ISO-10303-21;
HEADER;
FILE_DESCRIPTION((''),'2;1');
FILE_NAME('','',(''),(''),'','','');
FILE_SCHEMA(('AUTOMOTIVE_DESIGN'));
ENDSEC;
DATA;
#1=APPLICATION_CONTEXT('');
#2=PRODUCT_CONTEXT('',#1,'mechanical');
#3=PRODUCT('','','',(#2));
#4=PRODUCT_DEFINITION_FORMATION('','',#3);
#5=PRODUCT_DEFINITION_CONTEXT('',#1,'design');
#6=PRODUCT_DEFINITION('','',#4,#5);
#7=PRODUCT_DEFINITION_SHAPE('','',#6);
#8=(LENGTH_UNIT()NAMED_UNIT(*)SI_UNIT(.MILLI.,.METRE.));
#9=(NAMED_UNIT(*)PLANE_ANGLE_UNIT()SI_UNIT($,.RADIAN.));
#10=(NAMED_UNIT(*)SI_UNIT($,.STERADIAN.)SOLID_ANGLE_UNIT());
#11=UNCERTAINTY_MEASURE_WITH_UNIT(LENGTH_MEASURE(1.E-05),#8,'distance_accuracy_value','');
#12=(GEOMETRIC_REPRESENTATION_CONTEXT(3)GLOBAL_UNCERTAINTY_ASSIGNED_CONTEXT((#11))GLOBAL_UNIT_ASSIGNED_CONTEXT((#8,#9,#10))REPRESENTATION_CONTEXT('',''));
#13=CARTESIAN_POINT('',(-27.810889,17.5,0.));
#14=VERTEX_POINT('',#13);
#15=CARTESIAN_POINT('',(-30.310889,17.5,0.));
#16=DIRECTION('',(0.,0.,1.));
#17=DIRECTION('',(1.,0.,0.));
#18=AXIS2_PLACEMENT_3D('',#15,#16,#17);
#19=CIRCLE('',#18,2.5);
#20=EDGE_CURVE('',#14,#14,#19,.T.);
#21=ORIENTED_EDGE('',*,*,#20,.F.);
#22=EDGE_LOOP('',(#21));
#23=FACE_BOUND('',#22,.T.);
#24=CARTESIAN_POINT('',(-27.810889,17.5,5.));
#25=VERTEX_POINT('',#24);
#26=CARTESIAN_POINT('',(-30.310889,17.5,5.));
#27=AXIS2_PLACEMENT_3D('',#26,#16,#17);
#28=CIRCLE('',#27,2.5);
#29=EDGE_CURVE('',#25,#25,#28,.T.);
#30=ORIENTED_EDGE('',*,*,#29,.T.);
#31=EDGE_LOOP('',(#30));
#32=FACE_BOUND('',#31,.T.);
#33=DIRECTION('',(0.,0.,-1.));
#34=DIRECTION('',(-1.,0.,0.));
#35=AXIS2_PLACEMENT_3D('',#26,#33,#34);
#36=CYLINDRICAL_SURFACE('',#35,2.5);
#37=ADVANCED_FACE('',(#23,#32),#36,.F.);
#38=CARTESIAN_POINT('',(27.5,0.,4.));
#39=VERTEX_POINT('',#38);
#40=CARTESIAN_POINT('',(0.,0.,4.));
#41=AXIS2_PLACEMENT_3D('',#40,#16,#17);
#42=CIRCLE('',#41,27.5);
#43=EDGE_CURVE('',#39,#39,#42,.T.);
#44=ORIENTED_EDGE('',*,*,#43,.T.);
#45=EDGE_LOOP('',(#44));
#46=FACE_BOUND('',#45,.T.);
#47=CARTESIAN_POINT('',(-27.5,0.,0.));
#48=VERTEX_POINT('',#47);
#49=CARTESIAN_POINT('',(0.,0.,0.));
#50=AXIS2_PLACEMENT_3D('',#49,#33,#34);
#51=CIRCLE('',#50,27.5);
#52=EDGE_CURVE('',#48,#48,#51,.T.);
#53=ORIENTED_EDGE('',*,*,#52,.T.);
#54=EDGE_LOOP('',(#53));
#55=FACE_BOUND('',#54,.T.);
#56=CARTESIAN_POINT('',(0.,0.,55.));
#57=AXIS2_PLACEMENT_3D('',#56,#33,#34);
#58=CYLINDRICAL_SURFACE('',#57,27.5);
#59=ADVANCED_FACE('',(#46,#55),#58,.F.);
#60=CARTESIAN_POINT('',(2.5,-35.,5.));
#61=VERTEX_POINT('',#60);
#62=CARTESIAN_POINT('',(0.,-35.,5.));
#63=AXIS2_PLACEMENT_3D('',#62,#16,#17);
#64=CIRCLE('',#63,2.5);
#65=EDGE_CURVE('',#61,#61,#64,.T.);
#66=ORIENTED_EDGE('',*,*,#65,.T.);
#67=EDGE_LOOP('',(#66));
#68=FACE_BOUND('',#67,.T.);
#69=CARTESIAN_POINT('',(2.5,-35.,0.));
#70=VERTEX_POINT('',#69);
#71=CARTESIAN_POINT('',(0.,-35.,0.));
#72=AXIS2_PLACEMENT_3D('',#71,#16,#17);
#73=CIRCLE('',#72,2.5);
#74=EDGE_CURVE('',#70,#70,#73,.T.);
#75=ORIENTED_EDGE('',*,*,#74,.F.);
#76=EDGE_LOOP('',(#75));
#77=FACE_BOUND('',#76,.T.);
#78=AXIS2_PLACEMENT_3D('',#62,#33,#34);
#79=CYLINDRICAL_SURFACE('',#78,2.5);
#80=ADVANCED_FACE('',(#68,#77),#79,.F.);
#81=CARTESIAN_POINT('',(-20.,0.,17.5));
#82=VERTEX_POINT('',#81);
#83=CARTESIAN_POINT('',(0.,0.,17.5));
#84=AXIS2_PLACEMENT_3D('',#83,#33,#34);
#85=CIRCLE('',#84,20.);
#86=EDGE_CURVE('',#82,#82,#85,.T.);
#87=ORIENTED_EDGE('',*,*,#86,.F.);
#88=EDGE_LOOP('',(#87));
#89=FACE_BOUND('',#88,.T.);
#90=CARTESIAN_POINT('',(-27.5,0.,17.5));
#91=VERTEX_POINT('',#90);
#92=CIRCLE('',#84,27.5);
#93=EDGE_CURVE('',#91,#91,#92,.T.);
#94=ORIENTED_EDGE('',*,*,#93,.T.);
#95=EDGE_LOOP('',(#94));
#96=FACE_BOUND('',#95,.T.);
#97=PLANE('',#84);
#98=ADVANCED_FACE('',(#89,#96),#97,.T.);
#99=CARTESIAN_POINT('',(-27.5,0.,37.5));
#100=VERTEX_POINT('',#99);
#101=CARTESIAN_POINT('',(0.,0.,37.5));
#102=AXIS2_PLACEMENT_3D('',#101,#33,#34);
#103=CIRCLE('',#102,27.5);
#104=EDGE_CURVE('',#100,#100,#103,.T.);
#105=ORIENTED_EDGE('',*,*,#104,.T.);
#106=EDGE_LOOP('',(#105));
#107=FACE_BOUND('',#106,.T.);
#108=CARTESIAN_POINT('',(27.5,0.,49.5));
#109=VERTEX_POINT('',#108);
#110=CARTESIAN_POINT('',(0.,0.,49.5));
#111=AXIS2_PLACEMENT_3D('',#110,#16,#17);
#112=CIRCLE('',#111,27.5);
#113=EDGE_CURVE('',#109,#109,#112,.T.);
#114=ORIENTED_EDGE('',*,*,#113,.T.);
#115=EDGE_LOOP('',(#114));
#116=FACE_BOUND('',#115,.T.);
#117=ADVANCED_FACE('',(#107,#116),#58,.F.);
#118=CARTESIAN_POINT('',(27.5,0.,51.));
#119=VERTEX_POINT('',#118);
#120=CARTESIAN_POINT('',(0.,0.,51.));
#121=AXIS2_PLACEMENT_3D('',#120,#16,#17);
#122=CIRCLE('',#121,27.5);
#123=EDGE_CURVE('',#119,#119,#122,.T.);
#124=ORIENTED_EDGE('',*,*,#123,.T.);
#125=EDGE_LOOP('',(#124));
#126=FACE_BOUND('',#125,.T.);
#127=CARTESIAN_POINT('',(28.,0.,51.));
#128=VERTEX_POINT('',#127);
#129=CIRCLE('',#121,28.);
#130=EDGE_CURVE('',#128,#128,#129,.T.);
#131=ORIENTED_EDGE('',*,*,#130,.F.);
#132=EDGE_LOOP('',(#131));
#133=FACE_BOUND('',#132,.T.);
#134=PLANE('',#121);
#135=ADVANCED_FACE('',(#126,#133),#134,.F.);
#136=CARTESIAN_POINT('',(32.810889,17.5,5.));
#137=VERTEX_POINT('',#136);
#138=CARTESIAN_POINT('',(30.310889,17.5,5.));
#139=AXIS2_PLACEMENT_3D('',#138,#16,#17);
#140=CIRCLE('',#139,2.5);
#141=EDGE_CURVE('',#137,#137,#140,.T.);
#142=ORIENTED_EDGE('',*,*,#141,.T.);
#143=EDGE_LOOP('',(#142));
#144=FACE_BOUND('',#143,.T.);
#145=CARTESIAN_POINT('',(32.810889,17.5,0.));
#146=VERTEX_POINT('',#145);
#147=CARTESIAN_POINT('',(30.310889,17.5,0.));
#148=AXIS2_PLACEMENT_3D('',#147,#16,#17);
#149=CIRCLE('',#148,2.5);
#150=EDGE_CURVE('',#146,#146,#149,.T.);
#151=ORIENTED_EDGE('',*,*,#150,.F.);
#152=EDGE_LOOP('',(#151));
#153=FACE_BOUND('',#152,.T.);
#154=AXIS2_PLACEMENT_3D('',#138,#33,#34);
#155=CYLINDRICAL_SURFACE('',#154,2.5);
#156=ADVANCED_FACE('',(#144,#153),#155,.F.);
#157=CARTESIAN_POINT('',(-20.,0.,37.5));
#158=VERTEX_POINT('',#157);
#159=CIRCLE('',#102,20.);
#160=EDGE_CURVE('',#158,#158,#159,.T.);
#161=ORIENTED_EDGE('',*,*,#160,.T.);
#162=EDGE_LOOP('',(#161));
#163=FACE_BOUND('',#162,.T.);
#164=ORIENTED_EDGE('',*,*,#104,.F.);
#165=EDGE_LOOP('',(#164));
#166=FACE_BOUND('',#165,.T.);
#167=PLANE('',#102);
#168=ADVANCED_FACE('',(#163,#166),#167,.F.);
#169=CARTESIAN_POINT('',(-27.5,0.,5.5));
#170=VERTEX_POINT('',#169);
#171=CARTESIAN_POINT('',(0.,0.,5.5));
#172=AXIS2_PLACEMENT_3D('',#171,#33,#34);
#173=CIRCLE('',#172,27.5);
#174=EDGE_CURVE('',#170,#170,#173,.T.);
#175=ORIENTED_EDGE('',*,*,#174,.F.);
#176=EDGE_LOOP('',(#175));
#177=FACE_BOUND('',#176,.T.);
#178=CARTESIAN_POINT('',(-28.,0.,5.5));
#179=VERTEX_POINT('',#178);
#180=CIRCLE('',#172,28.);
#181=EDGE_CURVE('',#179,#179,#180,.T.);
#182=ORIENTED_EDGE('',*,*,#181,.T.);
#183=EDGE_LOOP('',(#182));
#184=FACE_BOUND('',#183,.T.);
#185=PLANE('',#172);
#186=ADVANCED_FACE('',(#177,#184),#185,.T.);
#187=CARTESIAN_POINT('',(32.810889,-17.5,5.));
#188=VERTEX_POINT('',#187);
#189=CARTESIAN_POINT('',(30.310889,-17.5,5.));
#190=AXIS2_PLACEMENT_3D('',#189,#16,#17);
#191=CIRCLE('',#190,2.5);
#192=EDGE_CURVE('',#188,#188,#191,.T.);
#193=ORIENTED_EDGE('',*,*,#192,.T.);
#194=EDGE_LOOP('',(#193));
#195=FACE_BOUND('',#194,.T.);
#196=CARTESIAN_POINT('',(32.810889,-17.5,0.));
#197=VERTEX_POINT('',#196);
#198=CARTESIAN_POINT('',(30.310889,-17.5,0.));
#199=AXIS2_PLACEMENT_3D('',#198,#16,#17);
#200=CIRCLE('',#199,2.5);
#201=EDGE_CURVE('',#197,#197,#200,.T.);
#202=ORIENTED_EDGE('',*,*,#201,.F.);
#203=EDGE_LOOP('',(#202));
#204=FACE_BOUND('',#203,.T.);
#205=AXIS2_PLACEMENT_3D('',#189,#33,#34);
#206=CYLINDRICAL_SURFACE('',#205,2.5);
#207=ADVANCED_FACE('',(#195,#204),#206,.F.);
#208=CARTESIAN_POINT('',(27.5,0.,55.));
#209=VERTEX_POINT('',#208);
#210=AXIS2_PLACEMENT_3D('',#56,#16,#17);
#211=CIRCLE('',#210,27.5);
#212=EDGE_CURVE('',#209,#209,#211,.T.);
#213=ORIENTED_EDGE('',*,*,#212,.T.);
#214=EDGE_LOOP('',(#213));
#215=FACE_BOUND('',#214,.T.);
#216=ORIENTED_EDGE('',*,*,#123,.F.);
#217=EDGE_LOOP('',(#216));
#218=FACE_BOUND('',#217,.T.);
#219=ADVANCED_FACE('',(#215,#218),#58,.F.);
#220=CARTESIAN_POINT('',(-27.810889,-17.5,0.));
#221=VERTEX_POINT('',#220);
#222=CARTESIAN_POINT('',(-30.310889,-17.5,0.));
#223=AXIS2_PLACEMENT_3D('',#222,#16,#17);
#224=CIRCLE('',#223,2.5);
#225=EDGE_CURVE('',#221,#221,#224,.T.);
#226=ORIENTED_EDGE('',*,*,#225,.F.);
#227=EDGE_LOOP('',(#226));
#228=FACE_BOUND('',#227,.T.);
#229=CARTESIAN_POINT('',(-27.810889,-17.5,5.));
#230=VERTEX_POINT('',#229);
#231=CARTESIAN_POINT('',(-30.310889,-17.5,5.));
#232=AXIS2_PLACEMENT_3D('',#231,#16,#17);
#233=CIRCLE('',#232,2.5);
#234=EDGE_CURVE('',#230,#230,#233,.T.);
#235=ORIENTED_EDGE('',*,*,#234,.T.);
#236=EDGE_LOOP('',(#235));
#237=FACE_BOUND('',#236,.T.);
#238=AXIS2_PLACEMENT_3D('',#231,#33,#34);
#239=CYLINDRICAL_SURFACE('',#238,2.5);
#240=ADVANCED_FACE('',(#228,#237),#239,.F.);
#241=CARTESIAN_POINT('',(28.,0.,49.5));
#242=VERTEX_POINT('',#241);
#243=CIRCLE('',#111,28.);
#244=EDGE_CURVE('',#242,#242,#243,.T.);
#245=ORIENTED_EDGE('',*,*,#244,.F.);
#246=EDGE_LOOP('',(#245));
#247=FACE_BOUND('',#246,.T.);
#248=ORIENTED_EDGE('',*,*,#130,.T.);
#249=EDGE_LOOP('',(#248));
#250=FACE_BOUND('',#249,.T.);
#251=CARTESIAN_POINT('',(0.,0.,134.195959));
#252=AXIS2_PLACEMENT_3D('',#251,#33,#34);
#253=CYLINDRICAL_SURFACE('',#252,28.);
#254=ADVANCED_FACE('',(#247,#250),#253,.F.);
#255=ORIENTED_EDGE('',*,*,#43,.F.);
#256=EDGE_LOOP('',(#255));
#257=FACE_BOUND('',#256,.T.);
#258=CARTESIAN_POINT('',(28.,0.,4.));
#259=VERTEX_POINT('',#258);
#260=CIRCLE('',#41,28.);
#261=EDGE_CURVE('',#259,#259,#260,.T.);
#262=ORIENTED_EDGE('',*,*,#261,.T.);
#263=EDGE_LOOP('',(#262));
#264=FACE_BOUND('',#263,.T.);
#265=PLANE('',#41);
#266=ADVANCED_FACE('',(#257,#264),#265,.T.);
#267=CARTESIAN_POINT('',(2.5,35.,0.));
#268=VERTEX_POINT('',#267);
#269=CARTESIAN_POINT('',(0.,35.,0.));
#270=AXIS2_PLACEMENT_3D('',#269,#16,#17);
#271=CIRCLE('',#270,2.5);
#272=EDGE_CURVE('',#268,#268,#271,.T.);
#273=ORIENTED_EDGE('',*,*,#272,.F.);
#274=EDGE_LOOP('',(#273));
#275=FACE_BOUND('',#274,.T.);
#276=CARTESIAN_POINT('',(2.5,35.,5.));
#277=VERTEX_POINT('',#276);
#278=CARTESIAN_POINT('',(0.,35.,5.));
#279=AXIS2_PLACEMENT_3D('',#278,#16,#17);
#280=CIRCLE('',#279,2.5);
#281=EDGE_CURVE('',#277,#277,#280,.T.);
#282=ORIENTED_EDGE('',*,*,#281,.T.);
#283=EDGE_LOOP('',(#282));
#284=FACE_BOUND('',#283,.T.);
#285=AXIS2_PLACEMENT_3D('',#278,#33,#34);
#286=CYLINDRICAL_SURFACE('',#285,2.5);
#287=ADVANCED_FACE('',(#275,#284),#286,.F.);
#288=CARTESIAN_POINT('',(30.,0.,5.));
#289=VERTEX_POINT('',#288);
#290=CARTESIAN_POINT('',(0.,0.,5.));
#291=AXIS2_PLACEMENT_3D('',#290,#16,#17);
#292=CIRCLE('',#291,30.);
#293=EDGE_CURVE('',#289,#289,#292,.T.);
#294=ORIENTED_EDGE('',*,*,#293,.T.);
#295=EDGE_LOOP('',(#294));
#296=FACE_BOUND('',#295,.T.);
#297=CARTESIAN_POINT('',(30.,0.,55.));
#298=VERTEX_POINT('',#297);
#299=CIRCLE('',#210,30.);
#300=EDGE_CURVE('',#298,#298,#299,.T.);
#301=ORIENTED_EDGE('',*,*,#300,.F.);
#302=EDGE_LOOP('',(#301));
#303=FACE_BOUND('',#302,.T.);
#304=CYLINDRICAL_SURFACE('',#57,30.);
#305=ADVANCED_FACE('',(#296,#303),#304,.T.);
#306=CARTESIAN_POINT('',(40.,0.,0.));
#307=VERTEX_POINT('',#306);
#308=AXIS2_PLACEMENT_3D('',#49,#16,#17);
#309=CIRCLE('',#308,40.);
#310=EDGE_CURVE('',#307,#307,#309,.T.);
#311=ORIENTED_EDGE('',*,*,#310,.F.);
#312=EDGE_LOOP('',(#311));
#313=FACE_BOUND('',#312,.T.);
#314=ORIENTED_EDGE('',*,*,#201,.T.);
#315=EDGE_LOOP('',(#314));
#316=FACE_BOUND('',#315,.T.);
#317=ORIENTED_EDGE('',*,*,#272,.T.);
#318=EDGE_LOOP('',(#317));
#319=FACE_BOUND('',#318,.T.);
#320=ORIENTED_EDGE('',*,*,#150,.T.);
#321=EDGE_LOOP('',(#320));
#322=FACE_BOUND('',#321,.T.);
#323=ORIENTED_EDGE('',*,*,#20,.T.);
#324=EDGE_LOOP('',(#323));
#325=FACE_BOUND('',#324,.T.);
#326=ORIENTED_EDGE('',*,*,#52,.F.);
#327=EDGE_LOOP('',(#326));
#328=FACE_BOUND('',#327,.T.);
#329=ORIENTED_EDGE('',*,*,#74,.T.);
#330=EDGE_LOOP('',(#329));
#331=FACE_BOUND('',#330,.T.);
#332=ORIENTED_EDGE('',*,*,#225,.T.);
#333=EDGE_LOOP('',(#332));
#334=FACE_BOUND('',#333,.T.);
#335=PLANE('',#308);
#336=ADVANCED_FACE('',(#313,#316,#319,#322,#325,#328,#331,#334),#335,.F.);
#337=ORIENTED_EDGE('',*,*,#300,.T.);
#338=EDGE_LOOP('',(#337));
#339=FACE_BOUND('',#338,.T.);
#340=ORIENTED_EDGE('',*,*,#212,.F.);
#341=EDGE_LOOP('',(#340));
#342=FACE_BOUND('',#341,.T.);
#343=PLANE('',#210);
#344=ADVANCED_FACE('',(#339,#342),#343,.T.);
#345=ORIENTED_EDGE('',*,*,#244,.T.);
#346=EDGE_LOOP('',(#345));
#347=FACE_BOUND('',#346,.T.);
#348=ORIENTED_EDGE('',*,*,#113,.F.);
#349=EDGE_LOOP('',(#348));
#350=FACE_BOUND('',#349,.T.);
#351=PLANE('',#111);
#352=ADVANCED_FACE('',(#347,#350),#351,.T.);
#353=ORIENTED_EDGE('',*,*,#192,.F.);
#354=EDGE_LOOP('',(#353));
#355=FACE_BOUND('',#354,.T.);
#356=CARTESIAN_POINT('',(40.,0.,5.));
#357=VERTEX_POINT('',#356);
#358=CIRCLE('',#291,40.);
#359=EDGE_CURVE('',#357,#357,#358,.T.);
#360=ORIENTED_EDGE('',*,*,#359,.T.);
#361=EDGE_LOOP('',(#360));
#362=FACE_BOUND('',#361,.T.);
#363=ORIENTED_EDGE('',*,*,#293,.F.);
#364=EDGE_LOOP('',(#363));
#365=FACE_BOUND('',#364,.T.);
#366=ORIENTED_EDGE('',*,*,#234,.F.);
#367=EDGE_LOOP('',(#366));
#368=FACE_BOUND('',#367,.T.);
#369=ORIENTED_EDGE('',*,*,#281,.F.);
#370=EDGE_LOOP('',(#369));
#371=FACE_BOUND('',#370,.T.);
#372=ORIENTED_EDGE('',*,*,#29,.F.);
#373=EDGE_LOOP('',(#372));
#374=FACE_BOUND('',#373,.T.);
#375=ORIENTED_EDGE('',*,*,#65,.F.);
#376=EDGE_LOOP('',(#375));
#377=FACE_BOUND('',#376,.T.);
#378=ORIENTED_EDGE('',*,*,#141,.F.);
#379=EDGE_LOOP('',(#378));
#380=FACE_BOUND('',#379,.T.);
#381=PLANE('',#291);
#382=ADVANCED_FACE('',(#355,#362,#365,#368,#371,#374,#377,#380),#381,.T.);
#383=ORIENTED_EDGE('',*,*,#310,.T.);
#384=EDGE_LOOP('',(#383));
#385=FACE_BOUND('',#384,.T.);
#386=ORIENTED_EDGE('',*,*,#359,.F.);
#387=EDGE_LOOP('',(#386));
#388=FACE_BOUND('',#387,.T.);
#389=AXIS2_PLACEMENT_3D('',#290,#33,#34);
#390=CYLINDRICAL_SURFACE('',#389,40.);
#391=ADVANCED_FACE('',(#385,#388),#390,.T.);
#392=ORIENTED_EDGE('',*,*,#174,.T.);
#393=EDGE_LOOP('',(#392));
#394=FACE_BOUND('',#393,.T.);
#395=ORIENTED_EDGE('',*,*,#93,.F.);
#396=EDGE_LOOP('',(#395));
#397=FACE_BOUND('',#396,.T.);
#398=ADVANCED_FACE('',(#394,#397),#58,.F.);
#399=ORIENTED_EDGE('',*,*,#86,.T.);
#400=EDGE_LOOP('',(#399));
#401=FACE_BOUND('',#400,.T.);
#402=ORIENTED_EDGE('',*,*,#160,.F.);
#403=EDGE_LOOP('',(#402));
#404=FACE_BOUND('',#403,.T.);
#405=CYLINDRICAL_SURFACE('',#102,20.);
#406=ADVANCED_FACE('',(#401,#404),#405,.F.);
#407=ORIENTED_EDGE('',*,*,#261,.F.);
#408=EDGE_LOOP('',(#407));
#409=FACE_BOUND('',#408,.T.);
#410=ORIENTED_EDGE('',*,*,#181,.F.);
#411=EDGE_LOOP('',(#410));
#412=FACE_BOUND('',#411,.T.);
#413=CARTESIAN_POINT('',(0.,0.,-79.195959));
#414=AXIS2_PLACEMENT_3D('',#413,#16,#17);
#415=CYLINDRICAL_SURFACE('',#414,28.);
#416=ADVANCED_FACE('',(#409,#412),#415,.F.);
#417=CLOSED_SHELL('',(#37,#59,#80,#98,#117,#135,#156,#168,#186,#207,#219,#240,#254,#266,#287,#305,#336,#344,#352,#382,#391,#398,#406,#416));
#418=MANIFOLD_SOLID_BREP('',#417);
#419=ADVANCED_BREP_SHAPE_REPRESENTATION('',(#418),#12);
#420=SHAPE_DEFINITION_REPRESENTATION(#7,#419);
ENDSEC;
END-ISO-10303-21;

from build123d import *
from build123d.topology import SkipClean

# Parameters (mm, degrees)
SKETCH1_R                = 40
SKETCH1_R_2              = 2.5
BOSS_EXTRUDE1_DEPTH      = 5
SKETCH2_R                = 30
SKETCH2_R_2              = 27.5
BOSS_EXTRUDE2_DEPTH      = 50
SKETCH3_R                = 27.5
CUT_EXTRUDE1_DEPTH       = 50
BOSS_EXTRUDE4_DEPTH      = 10
BOSS_EXTRUDE4_DEPTH_BACK = 10
SKETCH5_R                = 27.5
SKETCH5_R_2              = 20
CUT_EXTRUDE2_START       = 12
SKETCH6_R                = 28
CUT_EXTRUDE2_DEPTH       = 1.5
CUT_EXTRUDE3_START       = 13.5
SKETCH7_R                = 28
CUT_EXTRUDE3_DEPTH       = 1.5


with BuildPart() as part:
    # Sketch1 → Boss-Extrude1 (new body)
    with BuildSketch(Plane.XY):
        Circle(SKETCH1_R)
        with Locations((0, 35)):
            Circle(SKETCH1_R_2, mode=Mode.SUBTRACT)
        with Locations((30.310889132, 17.5)):
            Circle(SKETCH1_R_2, mode=Mode.SUBTRACT)
        with Locations((30.310889132, -17.5)):
            Circle(SKETCH1_R_2, mode=Mode.SUBTRACT)
        with Locations((0, -35)):
            Circle(SKETCH1_R_2, mode=Mode.SUBTRACT)
        with Locations((-30.310889132, -17.5)):
            Circle(SKETCH1_R_2, mode=Mode.SUBTRACT)
        with Locations((-30.310889132, 17.5)):
            Circle(SKETCH1_R_2, mode=Mode.SUBTRACT)
    extrude(amount=BOSS_EXTRUDE1_DEPTH)

    # Sketch2 → Boss-Extrude2 (add)
    with BuildSketch(Plane.XY.offset(5)):
        Circle(SKETCH2_R)
        Circle(SKETCH2_R_2, mode=Mode.SUBTRACT)
    extrude(amount=BOSS_EXTRUDE2_DEPTH)

    # Sketch3 → Cut-Extrude1 (cut)
    with SkipClean():  # the faces are left unmerged after this step: merging them gives an invalid solid
        with BuildSketch(Plane(origin=(0, 0, 0), x_dir=(-1, 0, 0), z_dir=(0, 0, -1))):
            Circle(SKETCH3_R)
        extrude(amount=-CUT_EXTRUDE1_DEPTH, mode=Mode.SUBTRACT)

    # Sketch5 → Boss-Extrude4 (add, two sides: drawn at the far end of the back side and taken through both)
    with BuildSketch(Plane(origin=(0, 0, 27.5), x_dir=(-1, 0, 0), z_dir=(0, 0, -1)).offset(-BOSS_EXTRUDE4_DEPTH_BACK)):
        Circle(SKETCH5_R)
        Circle(SKETCH5_R_2, mode=Mode.SUBTRACT)
    extrude(amount=BOSS_EXTRUDE4_DEPTH + BOSS_EXTRUDE4_DEPTH_BACK)

    # Sketch6 → Cut-Extrude2 (cut)
    with BuildSketch(Plane(origin=(0, 0, 17.5), x_dir=(-1, 0, 0), z_dir=(0, 0, -1)).offset(CUT_EXTRUDE2_START)):
        with Locations(Location((0, 0, 0), (0, 0, 180))):
            Circle(SKETCH6_R)
    extrude(amount=CUT_EXTRUDE2_DEPTH, mode=Mode.SUBTRACT)

    # Sketch7 → Cut-Extrude3 (cut)
    with BuildSketch(Plane.XY.offset(37.5).offset(CUT_EXTRUDE3_START)):
        Circle(SKETCH7_R)
    extrude(amount=-CUT_EXTRUDE3_DEPTH, mode=Mode.SUBTRACT)


solid = part.part
